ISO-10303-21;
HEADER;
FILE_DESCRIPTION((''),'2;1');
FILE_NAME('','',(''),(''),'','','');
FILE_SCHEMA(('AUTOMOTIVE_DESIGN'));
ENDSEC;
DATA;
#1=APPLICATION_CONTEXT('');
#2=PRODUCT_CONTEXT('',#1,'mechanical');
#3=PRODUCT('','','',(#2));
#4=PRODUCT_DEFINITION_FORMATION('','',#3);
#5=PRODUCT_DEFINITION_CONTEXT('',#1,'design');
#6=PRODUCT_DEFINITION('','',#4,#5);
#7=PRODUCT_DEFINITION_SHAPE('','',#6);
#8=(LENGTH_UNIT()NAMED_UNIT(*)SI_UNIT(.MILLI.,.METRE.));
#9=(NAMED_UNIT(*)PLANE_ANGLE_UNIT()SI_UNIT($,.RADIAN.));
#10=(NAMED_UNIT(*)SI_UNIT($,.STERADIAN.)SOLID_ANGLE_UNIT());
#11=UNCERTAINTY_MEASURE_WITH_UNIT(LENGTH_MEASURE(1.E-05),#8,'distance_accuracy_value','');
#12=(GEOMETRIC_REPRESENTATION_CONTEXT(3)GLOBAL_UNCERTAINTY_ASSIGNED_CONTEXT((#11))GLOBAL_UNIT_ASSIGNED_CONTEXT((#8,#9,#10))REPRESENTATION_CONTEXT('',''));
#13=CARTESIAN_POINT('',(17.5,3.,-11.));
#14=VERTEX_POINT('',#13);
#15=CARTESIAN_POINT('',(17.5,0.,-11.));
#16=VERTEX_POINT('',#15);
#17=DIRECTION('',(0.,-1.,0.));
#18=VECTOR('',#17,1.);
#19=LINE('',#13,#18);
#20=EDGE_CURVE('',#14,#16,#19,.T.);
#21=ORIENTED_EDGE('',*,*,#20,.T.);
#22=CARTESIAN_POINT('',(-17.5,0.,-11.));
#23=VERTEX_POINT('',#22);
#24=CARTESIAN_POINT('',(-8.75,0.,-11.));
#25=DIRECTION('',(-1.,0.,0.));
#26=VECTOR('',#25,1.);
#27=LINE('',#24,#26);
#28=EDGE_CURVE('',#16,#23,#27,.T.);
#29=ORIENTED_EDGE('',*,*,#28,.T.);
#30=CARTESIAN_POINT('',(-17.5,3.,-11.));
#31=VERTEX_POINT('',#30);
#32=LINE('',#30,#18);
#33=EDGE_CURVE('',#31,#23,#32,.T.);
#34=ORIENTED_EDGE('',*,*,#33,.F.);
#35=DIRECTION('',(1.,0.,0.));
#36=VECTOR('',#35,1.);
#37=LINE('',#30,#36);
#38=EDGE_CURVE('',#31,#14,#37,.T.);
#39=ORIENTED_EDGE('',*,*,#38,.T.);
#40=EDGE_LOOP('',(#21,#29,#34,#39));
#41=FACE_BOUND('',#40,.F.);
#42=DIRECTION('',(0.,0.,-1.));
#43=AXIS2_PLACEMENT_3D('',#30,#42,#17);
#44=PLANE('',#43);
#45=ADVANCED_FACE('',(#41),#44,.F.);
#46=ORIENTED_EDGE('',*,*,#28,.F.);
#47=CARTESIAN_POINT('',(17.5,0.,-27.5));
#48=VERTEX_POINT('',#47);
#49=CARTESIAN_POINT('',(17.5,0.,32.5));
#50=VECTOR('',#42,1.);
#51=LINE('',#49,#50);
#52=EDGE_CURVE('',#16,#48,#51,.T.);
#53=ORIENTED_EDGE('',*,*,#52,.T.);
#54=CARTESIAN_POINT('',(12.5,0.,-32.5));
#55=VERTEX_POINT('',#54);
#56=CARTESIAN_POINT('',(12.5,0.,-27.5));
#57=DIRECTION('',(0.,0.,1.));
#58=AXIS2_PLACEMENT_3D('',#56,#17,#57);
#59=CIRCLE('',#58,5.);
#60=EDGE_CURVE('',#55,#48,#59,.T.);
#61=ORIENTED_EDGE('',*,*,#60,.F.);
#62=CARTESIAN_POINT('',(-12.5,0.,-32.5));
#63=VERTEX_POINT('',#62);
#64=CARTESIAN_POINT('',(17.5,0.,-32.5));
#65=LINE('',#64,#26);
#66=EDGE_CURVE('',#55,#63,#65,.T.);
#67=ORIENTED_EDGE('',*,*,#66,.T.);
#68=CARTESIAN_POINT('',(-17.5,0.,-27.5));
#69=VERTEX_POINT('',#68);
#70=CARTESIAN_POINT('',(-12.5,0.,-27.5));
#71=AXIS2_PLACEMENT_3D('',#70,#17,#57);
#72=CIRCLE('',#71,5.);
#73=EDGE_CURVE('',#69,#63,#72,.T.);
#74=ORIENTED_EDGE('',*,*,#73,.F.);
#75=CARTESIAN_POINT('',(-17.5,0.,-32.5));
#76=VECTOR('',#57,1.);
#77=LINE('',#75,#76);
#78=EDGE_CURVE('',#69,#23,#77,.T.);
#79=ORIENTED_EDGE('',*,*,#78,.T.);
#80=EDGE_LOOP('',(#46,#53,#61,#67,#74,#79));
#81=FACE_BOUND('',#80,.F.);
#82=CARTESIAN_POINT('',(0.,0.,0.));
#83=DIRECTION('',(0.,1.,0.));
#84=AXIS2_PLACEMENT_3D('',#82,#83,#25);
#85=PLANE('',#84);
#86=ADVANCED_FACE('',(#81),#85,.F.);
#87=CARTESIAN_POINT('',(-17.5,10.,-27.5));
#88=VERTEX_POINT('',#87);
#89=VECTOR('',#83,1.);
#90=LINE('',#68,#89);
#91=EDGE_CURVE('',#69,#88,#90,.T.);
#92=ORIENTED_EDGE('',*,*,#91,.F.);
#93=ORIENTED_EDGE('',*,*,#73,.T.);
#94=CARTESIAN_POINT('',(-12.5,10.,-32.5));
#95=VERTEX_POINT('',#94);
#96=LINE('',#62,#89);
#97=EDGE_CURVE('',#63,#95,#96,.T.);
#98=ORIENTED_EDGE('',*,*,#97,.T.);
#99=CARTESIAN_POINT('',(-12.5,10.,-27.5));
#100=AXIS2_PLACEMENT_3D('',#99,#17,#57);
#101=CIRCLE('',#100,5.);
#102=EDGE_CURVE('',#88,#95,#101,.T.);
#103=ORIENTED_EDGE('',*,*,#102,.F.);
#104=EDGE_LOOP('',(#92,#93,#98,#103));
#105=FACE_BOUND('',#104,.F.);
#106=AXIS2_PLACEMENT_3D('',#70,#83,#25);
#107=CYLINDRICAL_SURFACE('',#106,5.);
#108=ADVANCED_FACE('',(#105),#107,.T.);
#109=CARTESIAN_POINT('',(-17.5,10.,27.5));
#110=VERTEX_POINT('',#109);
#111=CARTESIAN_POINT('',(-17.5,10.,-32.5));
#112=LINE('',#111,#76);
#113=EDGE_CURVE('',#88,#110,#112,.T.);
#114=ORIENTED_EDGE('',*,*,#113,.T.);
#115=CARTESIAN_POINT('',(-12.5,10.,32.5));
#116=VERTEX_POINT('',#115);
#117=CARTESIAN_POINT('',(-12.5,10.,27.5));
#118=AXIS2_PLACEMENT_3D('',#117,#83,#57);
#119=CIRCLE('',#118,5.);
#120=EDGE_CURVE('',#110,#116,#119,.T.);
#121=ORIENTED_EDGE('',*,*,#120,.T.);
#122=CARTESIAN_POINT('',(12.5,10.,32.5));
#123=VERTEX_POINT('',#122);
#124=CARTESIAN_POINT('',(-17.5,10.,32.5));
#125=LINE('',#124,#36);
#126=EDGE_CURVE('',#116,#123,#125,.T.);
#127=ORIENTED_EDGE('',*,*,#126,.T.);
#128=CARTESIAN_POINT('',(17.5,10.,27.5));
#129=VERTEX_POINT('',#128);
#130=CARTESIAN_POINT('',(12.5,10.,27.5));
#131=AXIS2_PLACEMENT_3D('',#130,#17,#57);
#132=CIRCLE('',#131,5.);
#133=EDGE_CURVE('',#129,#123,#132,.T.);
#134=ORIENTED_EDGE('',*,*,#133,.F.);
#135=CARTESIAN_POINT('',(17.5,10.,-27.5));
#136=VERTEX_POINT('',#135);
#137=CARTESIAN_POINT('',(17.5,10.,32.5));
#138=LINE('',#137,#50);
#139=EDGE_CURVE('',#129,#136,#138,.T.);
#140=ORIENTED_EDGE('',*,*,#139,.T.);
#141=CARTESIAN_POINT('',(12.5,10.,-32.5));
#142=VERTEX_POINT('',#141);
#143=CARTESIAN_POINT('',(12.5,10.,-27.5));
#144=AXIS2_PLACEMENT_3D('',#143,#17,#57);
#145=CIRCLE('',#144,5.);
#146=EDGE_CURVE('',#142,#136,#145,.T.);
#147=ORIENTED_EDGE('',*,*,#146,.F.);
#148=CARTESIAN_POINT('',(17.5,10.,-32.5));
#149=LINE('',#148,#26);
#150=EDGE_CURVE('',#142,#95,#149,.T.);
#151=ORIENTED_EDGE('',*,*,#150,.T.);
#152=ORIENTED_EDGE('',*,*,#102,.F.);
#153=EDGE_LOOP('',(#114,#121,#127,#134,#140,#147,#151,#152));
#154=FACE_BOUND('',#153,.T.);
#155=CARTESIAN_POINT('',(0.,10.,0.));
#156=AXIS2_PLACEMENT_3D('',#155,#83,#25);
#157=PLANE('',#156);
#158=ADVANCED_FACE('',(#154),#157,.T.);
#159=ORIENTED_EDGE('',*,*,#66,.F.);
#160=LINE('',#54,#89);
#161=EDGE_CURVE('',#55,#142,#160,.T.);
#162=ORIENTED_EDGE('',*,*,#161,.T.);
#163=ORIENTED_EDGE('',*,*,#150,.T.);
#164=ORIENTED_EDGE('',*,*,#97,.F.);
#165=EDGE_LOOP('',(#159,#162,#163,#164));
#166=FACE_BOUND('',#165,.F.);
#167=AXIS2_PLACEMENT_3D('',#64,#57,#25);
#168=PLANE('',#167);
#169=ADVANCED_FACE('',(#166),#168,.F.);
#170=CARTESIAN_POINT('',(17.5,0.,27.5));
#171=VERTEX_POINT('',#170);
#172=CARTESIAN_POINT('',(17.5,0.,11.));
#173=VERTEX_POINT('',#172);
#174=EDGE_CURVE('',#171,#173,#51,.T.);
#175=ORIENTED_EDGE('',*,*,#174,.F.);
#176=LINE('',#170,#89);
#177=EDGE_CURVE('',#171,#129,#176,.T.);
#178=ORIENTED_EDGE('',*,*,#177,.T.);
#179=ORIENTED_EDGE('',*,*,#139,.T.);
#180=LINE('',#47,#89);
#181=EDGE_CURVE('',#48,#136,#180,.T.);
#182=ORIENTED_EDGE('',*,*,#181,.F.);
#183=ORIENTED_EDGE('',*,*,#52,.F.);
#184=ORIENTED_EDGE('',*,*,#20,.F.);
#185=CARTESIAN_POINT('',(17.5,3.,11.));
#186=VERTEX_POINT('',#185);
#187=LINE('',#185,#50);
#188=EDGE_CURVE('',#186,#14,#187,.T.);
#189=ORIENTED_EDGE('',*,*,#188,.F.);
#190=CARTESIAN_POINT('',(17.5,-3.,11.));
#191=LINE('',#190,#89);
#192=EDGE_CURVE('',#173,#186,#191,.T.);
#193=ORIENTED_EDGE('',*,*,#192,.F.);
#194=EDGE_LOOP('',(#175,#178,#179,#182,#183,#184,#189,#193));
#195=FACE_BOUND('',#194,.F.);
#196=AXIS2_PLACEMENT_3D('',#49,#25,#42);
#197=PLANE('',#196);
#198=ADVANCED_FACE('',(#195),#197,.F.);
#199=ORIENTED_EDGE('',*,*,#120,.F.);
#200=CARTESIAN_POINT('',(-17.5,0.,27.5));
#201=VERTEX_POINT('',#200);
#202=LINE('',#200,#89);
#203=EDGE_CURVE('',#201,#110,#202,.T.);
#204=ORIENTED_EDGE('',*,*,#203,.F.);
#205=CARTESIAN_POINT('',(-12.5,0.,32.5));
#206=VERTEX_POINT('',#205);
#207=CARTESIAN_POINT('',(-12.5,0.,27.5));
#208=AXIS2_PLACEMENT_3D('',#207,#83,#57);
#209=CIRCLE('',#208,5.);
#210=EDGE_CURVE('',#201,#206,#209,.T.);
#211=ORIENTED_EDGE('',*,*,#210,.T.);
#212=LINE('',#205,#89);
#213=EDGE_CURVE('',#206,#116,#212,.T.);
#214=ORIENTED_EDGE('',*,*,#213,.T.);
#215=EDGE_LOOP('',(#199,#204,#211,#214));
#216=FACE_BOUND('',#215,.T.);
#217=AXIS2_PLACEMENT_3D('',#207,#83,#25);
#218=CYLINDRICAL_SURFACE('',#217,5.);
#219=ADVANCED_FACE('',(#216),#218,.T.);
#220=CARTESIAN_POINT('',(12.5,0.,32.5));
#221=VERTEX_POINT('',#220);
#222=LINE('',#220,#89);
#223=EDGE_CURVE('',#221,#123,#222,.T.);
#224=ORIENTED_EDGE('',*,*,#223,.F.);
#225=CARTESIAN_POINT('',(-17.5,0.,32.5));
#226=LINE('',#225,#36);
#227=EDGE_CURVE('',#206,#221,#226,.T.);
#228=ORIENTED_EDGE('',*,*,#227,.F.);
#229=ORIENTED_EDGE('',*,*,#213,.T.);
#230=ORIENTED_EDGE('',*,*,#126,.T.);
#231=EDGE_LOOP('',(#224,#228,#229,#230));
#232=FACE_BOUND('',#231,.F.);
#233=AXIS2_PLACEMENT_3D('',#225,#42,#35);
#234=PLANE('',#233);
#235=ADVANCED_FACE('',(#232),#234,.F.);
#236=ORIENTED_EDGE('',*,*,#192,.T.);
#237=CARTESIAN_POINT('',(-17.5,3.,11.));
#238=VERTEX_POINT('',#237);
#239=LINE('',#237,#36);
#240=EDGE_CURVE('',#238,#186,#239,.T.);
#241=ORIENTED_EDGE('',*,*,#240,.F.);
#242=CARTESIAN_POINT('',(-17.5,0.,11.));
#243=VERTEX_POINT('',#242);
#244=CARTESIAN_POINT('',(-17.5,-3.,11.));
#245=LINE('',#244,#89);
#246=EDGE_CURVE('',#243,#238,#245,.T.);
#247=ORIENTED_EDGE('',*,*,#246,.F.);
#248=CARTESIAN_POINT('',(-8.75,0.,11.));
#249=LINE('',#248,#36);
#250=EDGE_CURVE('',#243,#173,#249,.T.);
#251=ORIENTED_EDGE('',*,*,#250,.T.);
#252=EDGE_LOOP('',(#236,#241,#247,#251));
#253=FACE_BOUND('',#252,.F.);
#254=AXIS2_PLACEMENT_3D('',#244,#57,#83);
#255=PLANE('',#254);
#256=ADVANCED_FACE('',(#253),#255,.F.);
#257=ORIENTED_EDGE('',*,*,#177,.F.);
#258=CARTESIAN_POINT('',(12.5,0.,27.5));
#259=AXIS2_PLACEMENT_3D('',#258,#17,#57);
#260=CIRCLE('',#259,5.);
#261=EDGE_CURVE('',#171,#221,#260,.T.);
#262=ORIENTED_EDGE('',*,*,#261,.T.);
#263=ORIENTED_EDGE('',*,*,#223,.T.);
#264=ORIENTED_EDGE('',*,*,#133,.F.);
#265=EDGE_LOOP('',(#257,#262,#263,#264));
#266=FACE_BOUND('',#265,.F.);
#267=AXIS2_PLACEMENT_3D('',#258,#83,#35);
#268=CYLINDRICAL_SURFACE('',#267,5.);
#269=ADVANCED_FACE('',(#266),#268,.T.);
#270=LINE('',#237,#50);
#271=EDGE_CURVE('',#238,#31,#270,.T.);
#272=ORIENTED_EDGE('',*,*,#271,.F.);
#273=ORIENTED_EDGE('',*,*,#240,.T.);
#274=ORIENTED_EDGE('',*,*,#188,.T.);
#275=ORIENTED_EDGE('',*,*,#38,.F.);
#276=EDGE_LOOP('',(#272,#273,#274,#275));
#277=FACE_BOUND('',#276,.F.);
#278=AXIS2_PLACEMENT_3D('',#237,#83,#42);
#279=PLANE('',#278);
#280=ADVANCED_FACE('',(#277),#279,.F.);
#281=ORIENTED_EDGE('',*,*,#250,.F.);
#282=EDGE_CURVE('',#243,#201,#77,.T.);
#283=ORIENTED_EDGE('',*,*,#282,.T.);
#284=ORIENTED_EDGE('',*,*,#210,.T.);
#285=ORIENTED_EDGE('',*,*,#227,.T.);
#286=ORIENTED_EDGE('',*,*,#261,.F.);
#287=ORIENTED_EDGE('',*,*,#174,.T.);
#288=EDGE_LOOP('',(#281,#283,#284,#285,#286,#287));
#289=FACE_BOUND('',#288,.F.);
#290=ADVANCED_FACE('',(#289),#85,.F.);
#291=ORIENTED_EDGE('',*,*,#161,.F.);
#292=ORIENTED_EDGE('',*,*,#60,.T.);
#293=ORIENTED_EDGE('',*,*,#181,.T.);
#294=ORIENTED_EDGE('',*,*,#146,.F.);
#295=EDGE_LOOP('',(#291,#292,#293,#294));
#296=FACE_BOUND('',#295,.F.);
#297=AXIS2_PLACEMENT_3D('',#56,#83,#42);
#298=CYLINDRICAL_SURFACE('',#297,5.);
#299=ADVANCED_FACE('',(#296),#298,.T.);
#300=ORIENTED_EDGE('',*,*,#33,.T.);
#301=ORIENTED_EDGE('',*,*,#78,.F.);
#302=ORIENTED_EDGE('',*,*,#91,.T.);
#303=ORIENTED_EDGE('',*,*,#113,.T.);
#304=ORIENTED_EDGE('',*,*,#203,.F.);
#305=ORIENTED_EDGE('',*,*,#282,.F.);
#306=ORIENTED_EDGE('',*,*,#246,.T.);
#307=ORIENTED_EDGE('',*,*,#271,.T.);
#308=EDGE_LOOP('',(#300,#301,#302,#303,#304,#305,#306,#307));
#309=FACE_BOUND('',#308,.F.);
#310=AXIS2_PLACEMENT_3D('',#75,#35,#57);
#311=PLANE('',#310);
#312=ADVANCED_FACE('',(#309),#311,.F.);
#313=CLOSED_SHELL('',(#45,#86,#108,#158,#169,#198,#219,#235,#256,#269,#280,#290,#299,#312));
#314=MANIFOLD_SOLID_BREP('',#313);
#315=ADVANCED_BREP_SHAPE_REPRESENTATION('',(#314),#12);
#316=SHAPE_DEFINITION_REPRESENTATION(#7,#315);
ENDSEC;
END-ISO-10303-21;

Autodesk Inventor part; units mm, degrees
ref_plane "YZ Plane" through (0, 0, 0) normal (1, 0, 0) x (0, 1, 0)
ref_plane "XZ Plane" through (0, 0, 0) normal (0, 1, 0) x (-1, 0, 0)
ref_plane "XY Plane" through (0, 0, 0) normal (0, 0, 1) x (1, 0, 0)
sketch "Esboço1" plane through (0, 0, 0) normal (0, 1, 0) x (-1, 0, 0)
  line L0 (17.5, 32.5) -> (-17.5, 32.5)
  line L1 (-17.5, 32.5) -> (-17.5, -32.5)
  line L2 (-17.5, -32.5) -> (17.5, -32.5)
  line L3 (17.5, -32.5) -> (17.5, 32.5)
  line L4 (17.5, 32.5) -> (-17.5, -32.5) construction
  line L5 (-17.5, 32.5) -> (17.5, -32.5) construction
  point P0 (0, 0)
  dimension "d0" = 35
  dimension "d1" = 65
extrude "Extrusão1" add sketch "Esboço1" along normal blind 10
fillet "Arredondamento1" radius 5 4 edges at (17.5, 5, 32.5) (-17.5, 5, 32.5) (17.5, 5, -32.5) (-17.5, 5, -32.5)
sketch "Esboço2" plane through (-17.5, 0, -27.5) normal (-1, 0, 0) x (0, 0, 1)
  line L0 (16.5, -3) -> (38.5, -3)
  line L1 (38.5, -3) -> (38.5, 3)
  line L2 (38.5, 3) -> (16.5, 3)
  line L3 (16.5, 3) -> (16.5, -3)
  line L4 (16.5, -3) -> (38.5, 3) construction
  line L5 (38.5, -3) -> (16.5, 3) construction
  point P0 (27.5, 0)
  dimension "d5" = 22
  dimension "d6" = 6
extrude "Extrusão2" cut sketch "Esboço2" against normal up to surface (35 mm away)
properties part number "ESC BASE"
